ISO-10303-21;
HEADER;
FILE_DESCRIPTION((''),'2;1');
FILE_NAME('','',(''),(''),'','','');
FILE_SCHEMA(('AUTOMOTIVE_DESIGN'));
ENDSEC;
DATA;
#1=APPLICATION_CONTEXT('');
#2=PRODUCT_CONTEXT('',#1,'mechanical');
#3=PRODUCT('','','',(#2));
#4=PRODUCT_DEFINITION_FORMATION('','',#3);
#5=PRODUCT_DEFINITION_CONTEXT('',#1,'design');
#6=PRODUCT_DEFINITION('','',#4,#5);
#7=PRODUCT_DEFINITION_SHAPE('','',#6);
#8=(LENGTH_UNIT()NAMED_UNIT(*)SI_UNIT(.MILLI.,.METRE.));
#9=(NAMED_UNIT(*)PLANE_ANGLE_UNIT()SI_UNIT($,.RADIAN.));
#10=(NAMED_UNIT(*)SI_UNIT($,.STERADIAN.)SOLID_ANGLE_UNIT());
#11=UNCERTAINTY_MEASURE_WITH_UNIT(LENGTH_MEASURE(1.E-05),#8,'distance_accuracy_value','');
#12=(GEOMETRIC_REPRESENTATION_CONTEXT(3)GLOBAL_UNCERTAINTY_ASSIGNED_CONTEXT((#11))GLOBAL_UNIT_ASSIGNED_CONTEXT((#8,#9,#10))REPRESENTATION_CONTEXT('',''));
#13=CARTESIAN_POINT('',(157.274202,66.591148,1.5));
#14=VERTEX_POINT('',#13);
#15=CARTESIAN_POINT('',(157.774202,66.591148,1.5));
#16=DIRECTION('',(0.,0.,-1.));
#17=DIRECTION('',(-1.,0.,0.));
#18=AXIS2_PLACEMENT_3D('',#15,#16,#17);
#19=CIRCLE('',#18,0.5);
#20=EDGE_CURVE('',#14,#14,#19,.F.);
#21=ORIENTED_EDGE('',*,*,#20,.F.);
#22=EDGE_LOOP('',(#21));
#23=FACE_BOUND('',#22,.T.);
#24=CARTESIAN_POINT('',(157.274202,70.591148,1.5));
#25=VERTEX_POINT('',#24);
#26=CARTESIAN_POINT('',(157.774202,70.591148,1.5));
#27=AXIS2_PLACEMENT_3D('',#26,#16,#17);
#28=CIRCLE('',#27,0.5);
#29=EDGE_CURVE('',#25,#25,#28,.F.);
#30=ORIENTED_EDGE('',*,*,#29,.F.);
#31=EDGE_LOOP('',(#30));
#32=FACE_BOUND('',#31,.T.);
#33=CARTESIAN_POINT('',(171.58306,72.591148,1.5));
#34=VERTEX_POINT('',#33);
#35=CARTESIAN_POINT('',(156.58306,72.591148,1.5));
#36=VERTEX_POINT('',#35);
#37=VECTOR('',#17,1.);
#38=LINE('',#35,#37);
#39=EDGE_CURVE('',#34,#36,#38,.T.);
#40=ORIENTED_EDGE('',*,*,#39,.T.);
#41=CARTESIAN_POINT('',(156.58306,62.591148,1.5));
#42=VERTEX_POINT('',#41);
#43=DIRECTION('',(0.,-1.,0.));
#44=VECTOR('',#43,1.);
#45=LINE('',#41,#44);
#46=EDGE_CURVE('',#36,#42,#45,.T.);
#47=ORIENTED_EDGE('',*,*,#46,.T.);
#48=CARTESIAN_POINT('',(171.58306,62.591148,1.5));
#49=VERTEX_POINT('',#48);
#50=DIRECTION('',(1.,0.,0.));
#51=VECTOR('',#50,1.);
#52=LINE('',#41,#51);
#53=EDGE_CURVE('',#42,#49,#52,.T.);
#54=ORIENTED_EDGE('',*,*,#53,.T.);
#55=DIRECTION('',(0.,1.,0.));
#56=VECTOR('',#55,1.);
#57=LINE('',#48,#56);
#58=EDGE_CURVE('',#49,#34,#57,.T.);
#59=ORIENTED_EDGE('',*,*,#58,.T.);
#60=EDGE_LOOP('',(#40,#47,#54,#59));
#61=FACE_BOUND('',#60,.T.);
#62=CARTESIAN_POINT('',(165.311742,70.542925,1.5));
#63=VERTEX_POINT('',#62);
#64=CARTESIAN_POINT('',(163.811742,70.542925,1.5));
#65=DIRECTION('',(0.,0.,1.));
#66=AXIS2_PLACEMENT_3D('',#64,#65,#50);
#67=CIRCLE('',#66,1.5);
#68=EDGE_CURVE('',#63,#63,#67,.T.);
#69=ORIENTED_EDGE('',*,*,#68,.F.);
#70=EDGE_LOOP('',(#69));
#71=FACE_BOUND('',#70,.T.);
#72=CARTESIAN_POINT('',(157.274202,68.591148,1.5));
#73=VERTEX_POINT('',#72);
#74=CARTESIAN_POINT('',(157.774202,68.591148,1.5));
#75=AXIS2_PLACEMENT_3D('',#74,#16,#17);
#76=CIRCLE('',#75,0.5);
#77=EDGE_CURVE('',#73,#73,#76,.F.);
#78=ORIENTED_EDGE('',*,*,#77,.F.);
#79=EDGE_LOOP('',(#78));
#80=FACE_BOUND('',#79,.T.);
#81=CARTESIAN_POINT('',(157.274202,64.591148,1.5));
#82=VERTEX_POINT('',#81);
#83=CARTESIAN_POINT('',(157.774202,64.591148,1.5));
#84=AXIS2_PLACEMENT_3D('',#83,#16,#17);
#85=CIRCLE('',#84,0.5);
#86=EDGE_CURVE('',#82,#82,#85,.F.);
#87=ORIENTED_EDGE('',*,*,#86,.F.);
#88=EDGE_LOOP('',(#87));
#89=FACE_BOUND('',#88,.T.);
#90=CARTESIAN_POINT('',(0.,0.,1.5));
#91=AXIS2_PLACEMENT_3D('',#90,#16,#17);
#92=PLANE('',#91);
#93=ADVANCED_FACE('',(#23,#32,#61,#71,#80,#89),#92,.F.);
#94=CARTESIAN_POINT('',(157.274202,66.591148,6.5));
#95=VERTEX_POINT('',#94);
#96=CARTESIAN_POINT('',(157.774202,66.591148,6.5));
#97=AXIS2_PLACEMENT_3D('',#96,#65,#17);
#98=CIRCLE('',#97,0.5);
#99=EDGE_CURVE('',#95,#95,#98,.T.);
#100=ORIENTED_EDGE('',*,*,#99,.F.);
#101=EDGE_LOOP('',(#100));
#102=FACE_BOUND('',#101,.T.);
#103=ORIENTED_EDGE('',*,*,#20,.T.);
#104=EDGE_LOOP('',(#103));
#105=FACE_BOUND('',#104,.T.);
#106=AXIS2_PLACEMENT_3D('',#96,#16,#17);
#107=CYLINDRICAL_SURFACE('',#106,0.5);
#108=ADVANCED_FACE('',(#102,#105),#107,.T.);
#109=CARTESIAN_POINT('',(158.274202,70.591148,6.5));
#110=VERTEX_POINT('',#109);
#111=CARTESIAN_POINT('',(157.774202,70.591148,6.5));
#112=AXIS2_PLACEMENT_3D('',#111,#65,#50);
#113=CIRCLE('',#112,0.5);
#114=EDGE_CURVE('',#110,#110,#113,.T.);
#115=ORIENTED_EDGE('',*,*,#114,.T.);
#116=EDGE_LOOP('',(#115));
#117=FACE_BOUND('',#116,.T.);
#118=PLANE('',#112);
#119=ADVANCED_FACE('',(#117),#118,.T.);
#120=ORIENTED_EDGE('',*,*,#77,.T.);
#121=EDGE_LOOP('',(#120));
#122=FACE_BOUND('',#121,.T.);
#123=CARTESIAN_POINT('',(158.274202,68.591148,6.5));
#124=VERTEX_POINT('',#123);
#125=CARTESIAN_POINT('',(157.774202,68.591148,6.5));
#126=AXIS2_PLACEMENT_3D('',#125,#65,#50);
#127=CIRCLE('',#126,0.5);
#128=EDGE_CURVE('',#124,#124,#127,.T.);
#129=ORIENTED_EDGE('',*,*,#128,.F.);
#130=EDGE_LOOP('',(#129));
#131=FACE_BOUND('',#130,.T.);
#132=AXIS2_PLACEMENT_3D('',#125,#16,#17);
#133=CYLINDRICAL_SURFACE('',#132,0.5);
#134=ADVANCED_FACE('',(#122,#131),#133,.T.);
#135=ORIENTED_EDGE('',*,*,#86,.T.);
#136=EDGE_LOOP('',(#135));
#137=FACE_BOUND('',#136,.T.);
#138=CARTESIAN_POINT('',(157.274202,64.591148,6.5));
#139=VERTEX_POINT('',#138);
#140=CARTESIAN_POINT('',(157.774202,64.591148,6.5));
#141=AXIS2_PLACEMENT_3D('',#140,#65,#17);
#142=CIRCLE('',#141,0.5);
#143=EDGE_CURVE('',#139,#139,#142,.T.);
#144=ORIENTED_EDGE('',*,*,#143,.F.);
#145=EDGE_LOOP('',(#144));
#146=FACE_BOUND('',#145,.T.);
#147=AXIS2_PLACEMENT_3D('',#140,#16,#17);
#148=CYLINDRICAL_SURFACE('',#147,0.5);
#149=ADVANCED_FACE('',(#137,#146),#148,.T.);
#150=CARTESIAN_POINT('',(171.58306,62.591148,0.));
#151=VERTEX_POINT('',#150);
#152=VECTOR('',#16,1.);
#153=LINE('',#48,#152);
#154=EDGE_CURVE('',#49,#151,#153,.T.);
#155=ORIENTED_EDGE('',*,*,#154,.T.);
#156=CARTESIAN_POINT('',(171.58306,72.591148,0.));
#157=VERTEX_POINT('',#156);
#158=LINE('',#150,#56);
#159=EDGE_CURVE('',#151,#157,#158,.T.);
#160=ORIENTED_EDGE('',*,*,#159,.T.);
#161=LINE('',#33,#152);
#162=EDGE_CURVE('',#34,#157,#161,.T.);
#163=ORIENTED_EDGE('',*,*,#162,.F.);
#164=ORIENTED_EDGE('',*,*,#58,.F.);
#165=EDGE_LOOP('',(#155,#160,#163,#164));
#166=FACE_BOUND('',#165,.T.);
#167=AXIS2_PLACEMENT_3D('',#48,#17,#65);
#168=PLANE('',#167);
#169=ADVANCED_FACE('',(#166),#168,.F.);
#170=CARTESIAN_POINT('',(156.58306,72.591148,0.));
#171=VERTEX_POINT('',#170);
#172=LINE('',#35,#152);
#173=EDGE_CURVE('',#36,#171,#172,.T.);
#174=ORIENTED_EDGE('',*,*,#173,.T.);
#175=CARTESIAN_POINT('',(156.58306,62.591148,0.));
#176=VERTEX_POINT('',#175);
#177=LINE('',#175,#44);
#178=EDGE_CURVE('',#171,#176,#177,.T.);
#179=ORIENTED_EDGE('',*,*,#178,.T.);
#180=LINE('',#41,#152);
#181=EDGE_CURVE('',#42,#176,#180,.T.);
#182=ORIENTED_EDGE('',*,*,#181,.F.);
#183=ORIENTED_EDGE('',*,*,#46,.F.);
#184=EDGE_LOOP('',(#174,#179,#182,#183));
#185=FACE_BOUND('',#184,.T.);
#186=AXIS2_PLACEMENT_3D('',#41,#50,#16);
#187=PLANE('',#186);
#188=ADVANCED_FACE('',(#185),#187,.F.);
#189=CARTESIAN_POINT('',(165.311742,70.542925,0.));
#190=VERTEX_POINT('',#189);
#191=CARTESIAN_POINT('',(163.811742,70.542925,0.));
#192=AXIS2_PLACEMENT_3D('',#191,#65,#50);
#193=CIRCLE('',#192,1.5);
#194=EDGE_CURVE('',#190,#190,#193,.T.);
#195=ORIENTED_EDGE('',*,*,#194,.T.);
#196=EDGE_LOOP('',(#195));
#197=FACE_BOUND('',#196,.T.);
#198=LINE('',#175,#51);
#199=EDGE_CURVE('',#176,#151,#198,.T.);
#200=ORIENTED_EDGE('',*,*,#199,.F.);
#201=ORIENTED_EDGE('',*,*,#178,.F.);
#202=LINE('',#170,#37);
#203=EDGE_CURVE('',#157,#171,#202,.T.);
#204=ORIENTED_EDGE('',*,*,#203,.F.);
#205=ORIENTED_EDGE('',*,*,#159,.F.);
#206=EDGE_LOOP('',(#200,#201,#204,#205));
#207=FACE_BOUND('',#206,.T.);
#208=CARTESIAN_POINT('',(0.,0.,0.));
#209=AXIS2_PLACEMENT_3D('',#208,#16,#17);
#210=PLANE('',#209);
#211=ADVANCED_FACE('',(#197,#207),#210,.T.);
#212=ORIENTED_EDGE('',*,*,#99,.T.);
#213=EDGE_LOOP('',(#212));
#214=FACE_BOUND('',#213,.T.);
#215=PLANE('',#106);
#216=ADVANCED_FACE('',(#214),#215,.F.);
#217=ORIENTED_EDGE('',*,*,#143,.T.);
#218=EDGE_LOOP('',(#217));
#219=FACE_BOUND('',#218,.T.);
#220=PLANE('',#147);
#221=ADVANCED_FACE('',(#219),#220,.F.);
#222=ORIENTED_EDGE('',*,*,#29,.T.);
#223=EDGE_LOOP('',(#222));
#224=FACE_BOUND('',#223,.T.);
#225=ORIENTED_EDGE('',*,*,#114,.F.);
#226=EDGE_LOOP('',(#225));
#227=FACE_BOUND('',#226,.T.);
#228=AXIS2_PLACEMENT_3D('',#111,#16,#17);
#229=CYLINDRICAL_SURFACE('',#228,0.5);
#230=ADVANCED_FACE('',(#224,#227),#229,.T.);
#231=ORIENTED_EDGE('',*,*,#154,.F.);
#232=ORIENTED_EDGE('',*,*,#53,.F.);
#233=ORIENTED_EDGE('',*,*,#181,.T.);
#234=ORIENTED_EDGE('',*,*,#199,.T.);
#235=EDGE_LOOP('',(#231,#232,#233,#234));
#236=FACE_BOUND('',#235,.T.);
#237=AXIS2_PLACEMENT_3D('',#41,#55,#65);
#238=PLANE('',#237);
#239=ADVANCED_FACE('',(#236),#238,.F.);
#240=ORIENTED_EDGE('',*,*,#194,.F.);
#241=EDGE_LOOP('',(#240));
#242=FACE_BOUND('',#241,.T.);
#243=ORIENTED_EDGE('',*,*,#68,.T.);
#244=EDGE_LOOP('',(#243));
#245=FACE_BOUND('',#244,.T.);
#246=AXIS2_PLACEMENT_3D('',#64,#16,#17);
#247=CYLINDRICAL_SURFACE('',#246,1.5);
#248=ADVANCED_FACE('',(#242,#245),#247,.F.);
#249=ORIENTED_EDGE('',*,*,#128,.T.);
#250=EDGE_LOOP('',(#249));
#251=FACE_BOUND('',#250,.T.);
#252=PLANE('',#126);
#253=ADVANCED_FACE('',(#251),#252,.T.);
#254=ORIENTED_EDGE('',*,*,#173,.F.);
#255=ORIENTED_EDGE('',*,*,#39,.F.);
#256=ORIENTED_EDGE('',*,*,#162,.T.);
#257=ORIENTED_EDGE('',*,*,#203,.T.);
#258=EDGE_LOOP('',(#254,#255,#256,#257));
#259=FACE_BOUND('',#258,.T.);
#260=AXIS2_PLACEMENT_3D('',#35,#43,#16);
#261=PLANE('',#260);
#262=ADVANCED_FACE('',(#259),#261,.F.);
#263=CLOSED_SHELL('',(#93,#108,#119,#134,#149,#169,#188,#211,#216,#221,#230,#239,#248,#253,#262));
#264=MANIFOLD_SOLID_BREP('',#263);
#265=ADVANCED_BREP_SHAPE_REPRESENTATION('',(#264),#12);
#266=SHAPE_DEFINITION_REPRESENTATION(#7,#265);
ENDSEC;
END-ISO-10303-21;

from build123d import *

# Parameters (mm, degrees)
SKETCH1_W           = 15
SKETCH1_H           = 10
SKETCH1_R           = 1.5
BOSS_EXTRUDE1_DEPTH = 1.5
SKETCH2_R           = 0.5
BOSS_EXTRUDE2_DEPTH = 5


with BuildPart() as part:
    # Sketch1 → Boss-Extrude1 (new body)
    with BuildSketch(Plane.XY):
        with Locations((164.083059714, 67.591147655)):
            Rectangle(SKETCH1_W, SKETCH1_H)
        with Locations((163.811741983, 70.542925262)):
            Circle(SKETCH1_R, mode=Mode.SUBTRACT)
    extrude(amount=BOSS_EXTRUDE1_DEPTH)

    # Sketch2 → Boss-Extrude2 (add)
    with BuildSketch(Plane.XY.offset(1.5)):
        with Locations((157.774202419, 68.591147655)):
            Circle(SKETCH2_R)
        with Locations((157.774202419, 70.591147655)):
            Circle(SKETCH2_R)
        with Locations((157.774202419, 64.591147655)):
            Circle(SKETCH2_R)
        with Locations((157.774202419, 66.591147655)):
            Circle(SKETCH2_R)
    extrude(amount=BOSS_EXTRUDE2_DEPTH)


solid = part.part
